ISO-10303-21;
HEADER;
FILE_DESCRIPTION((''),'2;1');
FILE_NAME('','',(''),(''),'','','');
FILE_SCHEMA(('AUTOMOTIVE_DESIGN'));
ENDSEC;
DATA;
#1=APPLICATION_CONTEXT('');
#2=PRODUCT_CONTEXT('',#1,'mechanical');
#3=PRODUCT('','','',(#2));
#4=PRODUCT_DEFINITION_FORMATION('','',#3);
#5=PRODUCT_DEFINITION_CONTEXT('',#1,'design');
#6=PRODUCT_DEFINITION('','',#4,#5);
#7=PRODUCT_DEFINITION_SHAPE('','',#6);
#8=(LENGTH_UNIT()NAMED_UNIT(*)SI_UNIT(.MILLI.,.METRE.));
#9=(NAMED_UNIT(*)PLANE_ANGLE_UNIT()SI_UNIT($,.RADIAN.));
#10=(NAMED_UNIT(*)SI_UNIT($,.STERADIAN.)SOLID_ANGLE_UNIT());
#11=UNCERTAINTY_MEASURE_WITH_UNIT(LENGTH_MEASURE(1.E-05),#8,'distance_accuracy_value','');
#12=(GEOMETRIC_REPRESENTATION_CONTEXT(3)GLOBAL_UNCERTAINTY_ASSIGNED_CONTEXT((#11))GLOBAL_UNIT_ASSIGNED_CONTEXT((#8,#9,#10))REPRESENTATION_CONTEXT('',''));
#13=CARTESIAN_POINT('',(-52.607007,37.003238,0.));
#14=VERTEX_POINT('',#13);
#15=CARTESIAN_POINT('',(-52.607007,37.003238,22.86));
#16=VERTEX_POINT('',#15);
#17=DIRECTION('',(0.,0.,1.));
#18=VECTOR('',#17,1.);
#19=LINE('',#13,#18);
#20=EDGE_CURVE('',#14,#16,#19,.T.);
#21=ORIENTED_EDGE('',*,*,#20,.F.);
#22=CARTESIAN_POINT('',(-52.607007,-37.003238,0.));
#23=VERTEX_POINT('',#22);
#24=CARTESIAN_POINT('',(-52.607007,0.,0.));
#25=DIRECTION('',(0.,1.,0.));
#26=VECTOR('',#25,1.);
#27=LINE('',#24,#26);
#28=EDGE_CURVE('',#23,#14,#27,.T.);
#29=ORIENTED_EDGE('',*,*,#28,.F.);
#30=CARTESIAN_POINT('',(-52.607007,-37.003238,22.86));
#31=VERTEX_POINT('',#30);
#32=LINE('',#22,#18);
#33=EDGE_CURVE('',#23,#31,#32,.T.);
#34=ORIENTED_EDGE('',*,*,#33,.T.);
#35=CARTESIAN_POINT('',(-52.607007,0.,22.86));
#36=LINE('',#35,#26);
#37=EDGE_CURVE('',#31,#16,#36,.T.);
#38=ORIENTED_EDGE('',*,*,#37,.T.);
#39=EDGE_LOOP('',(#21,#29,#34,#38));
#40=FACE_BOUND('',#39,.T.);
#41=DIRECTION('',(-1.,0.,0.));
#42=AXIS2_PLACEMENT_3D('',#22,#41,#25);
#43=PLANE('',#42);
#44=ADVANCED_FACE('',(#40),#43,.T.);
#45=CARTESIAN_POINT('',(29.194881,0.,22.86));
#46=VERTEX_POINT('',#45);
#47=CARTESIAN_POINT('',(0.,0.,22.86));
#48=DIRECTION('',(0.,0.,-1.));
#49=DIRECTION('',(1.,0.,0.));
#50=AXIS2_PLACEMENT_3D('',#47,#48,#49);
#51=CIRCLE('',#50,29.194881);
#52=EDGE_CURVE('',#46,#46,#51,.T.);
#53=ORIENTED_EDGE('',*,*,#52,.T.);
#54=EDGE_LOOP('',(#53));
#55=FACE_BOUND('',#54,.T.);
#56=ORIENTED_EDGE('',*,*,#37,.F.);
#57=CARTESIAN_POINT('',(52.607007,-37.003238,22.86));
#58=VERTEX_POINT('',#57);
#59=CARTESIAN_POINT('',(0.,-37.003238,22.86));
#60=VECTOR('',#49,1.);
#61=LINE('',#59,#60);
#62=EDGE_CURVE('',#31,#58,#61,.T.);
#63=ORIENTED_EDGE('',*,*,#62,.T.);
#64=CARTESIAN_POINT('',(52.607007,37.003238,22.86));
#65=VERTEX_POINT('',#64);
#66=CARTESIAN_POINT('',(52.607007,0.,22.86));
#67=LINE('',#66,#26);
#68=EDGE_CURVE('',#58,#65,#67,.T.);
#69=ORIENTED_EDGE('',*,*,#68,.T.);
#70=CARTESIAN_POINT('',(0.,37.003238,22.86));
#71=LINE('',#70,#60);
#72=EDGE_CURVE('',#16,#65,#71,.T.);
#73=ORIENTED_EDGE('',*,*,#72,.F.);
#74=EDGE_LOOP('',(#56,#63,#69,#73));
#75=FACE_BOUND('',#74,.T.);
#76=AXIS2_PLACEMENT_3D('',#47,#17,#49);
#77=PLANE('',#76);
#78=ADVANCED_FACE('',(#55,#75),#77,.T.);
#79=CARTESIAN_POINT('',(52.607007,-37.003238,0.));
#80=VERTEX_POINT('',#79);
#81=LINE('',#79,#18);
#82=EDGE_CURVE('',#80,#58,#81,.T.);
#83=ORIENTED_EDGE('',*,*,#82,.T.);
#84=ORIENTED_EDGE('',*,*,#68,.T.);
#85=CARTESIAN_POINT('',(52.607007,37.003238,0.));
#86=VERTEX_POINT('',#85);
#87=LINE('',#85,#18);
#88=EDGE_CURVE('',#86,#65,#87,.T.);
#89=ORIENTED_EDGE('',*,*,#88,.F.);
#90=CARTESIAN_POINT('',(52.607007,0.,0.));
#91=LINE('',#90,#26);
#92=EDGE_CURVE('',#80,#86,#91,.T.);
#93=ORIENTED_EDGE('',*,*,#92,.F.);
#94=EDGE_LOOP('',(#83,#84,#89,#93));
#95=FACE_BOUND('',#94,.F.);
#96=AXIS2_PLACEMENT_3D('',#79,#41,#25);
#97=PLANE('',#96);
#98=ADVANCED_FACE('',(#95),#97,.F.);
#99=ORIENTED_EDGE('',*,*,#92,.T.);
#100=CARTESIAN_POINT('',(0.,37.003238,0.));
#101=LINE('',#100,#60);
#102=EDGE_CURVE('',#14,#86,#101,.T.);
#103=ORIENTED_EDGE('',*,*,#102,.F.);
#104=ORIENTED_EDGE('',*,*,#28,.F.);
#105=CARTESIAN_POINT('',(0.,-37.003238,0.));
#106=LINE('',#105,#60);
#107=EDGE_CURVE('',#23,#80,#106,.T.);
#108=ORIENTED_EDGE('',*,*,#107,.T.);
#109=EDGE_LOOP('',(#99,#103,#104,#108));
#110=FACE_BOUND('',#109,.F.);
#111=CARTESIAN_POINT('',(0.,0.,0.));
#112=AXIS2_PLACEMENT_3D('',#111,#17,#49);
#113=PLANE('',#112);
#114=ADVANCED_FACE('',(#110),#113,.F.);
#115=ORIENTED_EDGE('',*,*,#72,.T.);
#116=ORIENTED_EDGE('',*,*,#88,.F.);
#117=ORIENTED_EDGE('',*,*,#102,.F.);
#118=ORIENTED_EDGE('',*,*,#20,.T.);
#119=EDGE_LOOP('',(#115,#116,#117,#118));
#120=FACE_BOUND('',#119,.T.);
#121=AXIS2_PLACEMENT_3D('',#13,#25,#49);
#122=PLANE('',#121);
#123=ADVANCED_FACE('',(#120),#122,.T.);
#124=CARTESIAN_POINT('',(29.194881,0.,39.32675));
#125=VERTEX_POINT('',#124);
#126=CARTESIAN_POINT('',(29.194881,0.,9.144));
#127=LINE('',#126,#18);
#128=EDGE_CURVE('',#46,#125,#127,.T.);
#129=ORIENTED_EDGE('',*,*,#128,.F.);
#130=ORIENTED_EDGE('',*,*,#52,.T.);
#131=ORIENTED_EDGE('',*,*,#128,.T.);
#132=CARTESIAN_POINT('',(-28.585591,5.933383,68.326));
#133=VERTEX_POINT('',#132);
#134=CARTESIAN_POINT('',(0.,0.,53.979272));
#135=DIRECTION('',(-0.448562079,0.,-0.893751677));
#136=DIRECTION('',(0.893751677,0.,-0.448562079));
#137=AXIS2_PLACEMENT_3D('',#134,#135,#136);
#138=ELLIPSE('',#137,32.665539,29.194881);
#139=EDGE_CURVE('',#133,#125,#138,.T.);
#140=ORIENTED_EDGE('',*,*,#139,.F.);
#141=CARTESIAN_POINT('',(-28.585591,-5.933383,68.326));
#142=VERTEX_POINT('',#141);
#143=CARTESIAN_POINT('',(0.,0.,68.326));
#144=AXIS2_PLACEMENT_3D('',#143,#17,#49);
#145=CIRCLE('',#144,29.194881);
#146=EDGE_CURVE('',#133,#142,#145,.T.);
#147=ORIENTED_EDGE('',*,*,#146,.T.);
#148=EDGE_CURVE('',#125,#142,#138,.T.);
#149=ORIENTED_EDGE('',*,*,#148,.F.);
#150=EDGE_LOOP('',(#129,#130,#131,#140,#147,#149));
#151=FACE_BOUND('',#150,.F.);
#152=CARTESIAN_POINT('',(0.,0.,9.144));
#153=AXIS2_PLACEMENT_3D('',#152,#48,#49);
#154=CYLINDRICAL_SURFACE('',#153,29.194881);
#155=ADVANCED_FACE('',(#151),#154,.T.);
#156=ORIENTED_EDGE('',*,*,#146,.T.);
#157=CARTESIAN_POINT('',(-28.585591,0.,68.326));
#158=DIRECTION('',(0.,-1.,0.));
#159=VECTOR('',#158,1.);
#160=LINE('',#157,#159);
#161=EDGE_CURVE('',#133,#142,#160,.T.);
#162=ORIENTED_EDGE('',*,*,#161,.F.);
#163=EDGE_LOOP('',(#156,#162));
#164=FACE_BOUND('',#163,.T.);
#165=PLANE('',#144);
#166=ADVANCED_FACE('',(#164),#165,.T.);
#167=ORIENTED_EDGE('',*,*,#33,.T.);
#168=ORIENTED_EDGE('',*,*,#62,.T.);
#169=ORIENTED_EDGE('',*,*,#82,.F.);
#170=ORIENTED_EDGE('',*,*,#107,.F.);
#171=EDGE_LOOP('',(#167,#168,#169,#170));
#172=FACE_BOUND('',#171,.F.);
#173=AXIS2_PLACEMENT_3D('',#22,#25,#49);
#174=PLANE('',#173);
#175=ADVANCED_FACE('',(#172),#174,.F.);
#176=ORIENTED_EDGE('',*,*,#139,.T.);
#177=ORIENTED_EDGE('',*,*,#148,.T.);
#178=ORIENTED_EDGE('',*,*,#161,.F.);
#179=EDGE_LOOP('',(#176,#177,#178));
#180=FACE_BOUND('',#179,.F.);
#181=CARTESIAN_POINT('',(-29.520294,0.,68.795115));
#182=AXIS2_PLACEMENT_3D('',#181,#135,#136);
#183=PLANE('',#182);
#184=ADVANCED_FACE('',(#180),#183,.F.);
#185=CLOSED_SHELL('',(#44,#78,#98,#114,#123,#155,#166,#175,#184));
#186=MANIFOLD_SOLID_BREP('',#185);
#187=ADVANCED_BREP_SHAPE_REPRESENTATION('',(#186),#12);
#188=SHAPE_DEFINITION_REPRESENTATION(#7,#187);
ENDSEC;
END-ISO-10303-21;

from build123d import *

# Parameters (mm, degrees)
F0_W          = 105.2140146494
F0_H          = 74.0064755082
F0_R          = 22.3889711498
F1_DEPTH      = 22.86
F2_DEPTH      = 59.944
F3_DEPTH      = 25.4
F3_FACE_R     = 22.3889711498
F4_DEPTH      = 25.4
F4_TAPER      = -3
F5_DEPTH      = 25.4
F5_DEPTH_BACK = 25.4
F5_FACE_R     = 22.3889711498
F6_DEPTH      = 25.4
F6_TAPER      = -15
F7_DEPTH      = 59.182
F9_DEPTH      = 33.274


with BuildPart() as f1:
    # F0 (on Top) → F1 (new body)
    with BuildSketch(Plane.XY):
        Rectangle(F0_W, F0_H)
        Circle(F0_R, mode=Mode.SUBTRACT)
        Circle(F0_R)
    extrude(amount=F1_DEPTH)

    # F0 (on Top) → F2 (join)
    with BuildSketch(Plane.XY):
        Circle(F0_R)
    extrude(amount=F2_DEPTH)

    # F3 (cut): a face of the model
    f3_faces = [f1.faces().sort_by_distance(p)[0] for p in [
        (0, 0, 59.944),
    ]]
    extrude(f3_faces, amount=-F3_DEPTH, mode=Mode.SUBTRACT)

    # F3_face (on face) → F4 (join)
    with BuildSketch(Plane.XY.offset(34.544)):
        Circle(F3_FACE_R)
    extrude(amount=F4_DEPTH, taper=F4_TAPER)

    # F5 (cut, two sides): a face of the model
    f5_faces = [f1.faces().sort_by_distance(p)[0] for p in [
        (0, 0, 59.944),
    ]]
    extrude(f5_faces, amount=-F5_DEPTH, mode=Mode.SUBTRACT)
    extrude(f5_faces, amount=F5_DEPTH_BACK, mode=Mode.SUBTRACT)

    # F5_face (on face) → F6 (cut)
    with BuildSketch(Plane.XY.offset(34.544)):
        Circle(F5_FACE_R)
    extrude(amount=-F6_DEPTH, taper=F6_TAPER, mode=Mode.SUBTRACT)

    # F7 (add): a face of the model
    f7_faces = [f1.faces().sort_by_distance(p)[0] for p in [
        (0, 0, 9.144),
    ]]
    extrude(f7_faces, amount=F7_DEPTH)

    # F8 (on Front) → F9 (cut, symmetric)
    with BuildSketch(Plane.XZ):
        Polygon((-21.8193475157, 85.7371985912), (-29.5202936977, 68.7951147556), (38.5047309101, 34.6542596817), (50.8262440562, 89.5876735449), align=None)
    extrude(amount=F9_DEPTH, both=True, mode=Mode.SUBTRACT)


solid = f1.part
